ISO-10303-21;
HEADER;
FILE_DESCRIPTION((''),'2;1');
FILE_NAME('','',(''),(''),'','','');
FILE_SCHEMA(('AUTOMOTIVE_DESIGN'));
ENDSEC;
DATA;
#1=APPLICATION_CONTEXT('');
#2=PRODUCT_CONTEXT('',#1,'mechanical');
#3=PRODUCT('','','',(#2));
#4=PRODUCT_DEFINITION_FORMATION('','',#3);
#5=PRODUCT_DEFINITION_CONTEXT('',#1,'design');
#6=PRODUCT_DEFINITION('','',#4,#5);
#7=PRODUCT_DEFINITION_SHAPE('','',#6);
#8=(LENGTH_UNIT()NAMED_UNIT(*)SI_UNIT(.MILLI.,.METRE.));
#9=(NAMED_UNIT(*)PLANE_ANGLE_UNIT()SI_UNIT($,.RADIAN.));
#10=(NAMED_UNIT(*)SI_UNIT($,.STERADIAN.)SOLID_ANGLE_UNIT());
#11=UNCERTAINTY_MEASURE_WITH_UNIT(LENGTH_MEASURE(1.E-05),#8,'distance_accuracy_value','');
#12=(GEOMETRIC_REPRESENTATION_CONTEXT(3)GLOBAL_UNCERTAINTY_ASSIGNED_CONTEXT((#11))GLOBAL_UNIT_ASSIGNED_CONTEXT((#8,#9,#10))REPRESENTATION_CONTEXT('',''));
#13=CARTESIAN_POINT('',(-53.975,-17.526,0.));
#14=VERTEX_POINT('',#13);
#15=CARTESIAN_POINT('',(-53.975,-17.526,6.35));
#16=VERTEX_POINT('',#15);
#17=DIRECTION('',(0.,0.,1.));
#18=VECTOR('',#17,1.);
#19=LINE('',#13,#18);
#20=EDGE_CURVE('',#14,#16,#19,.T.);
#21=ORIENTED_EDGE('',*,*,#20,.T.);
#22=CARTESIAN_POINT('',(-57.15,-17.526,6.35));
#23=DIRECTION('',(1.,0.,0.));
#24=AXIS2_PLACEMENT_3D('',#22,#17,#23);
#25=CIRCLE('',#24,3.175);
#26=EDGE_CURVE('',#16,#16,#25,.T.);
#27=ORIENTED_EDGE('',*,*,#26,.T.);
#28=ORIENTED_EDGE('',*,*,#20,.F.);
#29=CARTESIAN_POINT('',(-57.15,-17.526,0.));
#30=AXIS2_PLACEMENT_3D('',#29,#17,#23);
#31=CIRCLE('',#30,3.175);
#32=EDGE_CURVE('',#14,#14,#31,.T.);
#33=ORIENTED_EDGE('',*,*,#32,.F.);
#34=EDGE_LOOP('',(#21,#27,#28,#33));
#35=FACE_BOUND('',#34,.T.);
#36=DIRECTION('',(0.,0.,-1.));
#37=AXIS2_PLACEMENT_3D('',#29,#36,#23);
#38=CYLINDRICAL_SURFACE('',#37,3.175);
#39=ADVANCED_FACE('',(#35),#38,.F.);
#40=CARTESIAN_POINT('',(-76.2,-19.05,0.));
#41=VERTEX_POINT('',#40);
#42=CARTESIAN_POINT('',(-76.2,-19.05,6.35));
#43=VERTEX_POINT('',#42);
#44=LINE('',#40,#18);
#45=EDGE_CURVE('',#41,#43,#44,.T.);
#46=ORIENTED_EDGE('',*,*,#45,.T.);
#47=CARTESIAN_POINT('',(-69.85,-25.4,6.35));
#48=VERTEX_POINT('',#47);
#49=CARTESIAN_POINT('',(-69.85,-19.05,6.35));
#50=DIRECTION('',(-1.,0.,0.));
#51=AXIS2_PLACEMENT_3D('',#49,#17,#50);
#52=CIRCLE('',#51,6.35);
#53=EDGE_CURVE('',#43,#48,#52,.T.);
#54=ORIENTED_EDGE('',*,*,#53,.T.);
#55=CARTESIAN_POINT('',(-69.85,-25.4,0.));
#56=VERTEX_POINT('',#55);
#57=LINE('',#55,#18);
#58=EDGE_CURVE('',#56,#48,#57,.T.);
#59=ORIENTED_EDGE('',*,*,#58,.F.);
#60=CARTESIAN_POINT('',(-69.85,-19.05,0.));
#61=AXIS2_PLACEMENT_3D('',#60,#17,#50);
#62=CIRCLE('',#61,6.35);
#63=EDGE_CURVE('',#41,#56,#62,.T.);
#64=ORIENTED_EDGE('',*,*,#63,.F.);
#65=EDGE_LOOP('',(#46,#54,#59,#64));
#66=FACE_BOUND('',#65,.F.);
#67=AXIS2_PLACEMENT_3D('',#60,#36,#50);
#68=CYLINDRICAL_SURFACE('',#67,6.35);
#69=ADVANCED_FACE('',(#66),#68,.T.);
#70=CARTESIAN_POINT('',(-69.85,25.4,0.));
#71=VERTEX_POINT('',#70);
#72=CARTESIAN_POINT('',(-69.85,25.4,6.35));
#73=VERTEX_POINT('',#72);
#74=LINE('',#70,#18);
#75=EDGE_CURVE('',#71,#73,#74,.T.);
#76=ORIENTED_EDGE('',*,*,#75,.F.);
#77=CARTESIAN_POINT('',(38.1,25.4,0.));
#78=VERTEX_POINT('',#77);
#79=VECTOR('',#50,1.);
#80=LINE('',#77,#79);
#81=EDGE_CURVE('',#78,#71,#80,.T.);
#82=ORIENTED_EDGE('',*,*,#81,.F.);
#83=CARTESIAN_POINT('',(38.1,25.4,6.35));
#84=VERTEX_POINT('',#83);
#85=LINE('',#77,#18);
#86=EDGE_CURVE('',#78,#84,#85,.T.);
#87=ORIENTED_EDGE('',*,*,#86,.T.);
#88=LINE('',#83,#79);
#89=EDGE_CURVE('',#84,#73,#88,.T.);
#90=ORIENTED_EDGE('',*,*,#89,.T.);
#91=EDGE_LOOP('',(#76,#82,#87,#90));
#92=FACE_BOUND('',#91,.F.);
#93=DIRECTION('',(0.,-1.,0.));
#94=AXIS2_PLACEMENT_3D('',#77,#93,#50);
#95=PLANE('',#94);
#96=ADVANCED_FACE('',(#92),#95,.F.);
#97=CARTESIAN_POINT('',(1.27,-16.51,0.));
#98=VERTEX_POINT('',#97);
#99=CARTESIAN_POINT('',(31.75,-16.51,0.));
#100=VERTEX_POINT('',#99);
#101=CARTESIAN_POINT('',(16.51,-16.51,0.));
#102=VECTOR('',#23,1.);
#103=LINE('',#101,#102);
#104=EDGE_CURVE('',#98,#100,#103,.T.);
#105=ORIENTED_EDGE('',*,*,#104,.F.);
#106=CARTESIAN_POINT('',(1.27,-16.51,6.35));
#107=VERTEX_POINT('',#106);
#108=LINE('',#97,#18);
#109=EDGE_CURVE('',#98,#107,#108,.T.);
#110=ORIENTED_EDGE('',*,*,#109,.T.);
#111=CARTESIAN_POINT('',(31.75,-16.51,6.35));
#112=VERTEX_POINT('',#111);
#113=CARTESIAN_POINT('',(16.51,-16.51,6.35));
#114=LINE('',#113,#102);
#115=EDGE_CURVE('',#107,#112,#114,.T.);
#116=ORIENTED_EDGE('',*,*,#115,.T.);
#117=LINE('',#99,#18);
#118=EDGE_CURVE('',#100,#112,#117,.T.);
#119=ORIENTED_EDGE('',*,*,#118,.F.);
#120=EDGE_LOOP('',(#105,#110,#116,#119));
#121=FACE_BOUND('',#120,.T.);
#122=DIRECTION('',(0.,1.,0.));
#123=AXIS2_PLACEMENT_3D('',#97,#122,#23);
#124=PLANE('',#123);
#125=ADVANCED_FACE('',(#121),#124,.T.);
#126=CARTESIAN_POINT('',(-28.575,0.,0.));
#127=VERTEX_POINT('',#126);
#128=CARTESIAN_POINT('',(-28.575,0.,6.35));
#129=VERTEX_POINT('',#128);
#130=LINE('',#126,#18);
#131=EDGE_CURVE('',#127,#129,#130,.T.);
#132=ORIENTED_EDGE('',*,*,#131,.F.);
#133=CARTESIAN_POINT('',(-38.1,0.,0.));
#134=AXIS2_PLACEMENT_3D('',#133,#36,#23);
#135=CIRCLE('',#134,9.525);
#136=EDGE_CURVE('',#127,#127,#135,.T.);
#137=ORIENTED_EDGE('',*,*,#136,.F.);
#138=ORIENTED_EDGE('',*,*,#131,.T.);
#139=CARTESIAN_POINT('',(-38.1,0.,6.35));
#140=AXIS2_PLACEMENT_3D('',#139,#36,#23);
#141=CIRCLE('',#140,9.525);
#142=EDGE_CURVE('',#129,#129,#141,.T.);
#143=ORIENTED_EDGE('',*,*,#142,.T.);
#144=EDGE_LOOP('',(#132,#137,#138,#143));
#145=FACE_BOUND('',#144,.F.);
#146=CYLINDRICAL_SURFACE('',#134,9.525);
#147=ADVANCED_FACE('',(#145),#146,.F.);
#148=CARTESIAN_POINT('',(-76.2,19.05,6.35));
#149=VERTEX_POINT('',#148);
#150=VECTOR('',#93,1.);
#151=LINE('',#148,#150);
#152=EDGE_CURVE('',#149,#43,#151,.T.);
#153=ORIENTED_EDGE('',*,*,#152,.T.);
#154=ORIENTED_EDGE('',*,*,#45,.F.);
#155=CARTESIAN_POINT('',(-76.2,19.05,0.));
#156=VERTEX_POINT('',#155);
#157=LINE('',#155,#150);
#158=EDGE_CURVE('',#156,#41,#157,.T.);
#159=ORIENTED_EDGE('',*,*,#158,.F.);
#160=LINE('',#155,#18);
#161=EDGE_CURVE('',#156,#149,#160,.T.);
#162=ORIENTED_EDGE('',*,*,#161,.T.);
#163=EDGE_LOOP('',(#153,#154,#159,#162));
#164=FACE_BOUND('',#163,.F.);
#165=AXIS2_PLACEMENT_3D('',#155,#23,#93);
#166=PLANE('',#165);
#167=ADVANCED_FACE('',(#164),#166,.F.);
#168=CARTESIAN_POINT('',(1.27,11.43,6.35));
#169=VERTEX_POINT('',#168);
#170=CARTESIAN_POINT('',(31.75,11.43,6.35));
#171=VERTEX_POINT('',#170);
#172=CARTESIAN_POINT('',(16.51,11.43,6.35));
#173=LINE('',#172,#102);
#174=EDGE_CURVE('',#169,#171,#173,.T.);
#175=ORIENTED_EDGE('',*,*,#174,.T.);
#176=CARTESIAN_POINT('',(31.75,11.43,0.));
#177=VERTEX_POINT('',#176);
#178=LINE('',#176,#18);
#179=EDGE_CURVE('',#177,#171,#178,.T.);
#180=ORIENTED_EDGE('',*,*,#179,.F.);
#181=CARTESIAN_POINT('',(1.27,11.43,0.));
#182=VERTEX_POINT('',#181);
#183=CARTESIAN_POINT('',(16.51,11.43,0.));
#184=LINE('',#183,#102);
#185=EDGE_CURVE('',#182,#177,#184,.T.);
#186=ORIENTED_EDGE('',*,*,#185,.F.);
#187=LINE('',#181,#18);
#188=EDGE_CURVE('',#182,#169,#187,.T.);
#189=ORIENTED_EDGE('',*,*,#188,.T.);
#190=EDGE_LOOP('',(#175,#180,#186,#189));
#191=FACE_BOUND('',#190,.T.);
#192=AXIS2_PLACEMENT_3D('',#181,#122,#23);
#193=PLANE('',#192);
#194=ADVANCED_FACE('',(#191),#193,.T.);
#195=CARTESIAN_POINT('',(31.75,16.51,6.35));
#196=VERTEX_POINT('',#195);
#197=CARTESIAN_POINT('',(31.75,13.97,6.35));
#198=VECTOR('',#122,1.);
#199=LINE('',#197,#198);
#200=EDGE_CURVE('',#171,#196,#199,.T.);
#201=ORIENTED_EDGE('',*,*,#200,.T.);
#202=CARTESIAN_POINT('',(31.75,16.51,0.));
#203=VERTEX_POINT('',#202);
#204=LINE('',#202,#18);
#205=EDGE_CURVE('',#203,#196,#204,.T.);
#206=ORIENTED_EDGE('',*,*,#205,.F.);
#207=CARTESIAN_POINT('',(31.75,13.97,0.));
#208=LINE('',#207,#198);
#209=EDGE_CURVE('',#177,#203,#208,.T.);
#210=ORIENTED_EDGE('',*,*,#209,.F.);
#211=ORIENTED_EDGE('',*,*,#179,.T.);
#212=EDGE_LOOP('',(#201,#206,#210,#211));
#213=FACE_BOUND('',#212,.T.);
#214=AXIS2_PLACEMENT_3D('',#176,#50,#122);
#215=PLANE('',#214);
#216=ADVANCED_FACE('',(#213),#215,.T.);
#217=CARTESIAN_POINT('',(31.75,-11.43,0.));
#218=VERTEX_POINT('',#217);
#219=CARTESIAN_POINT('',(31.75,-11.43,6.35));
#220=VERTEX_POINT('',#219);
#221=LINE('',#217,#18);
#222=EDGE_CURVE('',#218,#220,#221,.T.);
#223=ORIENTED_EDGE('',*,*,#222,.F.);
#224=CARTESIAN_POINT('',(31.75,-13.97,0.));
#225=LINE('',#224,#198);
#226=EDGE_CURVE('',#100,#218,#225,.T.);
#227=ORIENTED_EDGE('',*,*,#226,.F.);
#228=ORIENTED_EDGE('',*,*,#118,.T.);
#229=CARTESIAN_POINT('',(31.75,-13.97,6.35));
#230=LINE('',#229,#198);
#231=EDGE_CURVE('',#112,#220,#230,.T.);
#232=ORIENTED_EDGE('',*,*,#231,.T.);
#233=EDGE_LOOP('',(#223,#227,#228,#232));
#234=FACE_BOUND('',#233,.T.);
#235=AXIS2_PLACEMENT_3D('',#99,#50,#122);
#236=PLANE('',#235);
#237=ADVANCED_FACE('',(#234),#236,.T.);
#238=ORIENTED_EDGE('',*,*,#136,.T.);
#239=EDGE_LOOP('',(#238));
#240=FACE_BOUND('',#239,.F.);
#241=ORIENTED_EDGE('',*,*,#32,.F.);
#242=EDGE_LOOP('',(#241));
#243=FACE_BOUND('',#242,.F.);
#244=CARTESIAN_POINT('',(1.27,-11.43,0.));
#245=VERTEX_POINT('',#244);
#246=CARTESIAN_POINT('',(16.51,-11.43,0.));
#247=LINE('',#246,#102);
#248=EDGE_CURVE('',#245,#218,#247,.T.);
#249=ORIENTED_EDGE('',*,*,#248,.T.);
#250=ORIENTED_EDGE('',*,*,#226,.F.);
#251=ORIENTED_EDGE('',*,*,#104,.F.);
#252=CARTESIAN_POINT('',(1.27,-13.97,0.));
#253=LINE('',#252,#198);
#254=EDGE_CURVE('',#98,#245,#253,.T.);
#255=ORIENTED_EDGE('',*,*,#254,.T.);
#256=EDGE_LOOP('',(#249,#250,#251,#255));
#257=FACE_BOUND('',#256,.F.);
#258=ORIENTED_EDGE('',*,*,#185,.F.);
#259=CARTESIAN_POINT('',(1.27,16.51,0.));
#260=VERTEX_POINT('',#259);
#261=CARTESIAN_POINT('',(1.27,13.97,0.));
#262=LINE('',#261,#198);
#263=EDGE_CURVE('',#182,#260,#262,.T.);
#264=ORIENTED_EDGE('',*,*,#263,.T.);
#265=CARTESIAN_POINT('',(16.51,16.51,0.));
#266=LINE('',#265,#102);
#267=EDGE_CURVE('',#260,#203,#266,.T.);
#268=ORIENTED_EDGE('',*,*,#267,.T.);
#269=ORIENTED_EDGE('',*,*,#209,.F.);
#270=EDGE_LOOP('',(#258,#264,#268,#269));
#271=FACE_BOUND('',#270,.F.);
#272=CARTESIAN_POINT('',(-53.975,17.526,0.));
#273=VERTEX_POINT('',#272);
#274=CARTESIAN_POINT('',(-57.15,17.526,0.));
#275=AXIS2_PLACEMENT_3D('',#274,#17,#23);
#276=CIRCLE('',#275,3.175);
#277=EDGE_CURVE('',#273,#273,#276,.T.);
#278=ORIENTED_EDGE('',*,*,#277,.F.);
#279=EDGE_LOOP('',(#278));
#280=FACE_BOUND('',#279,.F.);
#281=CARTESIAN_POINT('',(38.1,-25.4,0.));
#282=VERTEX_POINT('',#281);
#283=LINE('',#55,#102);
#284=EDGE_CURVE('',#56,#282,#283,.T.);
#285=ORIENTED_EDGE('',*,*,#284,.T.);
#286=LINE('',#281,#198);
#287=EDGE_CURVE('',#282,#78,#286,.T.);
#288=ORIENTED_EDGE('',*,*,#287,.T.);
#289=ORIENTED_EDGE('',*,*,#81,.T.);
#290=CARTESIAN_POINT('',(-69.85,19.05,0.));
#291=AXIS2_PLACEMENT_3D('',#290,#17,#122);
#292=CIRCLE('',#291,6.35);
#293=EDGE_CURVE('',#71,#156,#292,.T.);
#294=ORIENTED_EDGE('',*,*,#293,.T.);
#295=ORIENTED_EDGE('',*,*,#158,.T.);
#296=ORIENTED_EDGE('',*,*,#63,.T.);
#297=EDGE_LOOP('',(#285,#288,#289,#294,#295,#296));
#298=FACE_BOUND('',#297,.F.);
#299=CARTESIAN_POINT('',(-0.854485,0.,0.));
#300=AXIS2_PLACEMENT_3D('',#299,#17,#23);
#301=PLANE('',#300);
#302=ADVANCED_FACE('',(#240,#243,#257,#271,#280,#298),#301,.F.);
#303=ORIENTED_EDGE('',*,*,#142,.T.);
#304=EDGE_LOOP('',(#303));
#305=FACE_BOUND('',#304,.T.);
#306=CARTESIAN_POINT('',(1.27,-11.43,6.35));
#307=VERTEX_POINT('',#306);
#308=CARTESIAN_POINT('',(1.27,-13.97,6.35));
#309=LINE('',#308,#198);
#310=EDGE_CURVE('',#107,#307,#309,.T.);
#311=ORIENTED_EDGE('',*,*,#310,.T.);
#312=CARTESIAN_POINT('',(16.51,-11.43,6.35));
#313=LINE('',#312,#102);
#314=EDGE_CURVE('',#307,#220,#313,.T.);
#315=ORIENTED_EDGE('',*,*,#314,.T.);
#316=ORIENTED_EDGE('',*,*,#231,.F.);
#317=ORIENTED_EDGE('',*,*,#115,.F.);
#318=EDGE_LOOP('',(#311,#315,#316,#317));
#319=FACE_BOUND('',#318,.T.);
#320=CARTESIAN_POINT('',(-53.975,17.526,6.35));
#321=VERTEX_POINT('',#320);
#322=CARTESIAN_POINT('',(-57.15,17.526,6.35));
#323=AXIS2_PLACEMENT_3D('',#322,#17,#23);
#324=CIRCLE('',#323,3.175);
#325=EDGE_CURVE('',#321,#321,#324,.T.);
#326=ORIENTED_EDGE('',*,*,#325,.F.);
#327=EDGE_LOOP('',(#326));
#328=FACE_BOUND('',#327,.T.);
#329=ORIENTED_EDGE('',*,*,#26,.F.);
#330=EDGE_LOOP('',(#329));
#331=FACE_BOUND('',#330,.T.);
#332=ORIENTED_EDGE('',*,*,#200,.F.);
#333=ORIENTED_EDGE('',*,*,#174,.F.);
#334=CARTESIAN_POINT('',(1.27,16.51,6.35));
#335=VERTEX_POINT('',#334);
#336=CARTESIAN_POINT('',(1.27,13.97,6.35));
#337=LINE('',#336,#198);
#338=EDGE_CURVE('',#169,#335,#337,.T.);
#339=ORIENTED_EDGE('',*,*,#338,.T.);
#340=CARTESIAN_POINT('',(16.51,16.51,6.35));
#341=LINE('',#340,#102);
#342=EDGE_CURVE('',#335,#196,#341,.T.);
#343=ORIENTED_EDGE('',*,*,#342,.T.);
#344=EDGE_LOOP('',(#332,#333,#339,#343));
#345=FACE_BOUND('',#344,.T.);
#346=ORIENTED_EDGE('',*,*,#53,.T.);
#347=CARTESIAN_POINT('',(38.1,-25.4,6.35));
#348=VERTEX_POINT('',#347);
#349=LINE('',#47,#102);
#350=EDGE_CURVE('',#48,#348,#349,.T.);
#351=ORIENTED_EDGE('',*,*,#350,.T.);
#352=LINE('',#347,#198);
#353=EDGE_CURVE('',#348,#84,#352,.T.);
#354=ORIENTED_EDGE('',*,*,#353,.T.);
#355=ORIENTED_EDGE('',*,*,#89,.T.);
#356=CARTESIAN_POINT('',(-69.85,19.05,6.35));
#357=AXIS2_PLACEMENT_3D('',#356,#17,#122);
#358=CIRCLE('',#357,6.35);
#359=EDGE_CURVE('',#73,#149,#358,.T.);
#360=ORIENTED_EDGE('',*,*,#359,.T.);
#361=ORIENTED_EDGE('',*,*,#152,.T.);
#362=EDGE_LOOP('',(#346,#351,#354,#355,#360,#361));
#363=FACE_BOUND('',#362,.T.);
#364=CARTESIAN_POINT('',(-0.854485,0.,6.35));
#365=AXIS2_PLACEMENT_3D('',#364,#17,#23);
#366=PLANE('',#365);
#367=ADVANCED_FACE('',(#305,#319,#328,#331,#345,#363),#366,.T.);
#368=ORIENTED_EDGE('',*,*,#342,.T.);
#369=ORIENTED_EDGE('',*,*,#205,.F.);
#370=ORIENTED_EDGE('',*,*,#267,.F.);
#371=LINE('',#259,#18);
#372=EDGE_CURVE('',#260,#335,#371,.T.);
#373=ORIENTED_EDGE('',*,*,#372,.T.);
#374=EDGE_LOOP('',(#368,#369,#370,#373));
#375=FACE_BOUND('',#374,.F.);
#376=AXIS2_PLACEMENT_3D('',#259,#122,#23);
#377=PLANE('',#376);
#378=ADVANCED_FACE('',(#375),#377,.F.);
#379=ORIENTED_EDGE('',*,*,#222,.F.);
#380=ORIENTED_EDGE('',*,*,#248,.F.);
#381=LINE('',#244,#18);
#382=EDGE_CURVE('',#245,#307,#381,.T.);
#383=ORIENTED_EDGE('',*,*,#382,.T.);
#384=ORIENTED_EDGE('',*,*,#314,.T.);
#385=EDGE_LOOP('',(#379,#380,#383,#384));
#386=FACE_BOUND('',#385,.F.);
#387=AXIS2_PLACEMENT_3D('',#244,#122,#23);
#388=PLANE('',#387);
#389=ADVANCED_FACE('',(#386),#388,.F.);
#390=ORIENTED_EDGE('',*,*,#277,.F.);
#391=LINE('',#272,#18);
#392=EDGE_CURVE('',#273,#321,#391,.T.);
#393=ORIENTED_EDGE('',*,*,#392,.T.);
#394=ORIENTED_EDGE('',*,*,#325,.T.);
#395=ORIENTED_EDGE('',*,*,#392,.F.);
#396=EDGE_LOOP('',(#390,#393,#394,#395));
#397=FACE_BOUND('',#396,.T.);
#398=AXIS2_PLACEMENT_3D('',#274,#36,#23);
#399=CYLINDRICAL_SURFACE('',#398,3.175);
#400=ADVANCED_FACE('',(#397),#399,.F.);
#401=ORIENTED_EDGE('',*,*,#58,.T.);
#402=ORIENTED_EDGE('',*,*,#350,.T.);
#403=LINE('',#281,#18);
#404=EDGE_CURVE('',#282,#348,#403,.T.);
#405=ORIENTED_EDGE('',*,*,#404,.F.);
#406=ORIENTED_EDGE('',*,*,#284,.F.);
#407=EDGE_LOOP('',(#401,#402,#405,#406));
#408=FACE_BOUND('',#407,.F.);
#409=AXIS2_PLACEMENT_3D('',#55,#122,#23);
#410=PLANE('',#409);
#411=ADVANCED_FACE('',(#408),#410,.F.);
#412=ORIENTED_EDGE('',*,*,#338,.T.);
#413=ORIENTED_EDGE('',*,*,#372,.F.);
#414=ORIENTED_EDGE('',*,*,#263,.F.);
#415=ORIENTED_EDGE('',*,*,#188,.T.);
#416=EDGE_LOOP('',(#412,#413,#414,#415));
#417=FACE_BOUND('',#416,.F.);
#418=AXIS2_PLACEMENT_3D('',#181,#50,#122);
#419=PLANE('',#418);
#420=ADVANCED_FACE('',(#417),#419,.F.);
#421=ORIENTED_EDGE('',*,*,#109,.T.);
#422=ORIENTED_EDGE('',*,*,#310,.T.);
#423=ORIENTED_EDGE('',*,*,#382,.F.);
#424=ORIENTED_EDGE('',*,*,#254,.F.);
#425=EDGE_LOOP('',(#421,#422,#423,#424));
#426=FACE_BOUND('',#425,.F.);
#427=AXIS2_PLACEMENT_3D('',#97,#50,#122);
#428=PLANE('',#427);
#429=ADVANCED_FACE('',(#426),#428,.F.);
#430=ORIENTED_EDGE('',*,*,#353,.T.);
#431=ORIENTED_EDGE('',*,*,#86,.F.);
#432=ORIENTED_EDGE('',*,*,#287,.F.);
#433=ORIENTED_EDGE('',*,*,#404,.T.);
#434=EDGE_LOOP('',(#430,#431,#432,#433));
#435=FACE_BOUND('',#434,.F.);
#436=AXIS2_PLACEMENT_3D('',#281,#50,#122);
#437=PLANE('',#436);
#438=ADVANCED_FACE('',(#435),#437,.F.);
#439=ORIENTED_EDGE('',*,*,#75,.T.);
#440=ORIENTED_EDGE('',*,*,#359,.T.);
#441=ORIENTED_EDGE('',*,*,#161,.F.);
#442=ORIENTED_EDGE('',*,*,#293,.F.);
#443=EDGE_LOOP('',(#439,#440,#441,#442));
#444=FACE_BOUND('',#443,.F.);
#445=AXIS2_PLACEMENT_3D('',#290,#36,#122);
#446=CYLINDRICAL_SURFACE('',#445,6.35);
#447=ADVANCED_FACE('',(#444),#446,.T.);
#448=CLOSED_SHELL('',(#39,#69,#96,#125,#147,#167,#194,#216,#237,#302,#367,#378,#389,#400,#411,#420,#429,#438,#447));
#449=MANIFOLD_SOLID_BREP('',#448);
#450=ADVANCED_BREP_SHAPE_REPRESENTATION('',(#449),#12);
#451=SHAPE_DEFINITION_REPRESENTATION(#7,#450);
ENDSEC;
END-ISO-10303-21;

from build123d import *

# Parameters (mm, degrees)
F0_W     = 30.48
F0_H     = 5.08
F0_R     = 3.175
F1_DEPTH = 6.35
F2_DEPTH = 6.35


with BuildPart() as f1:
    # F0 (on Top) → F1 (new body)
    with BuildSketch(Plane.XY):
        with BuildLine():
            Line((38.1, -25.4), (38.1, 25.4))
            Line((38.1, 25.4), (-38.1, 25.4))
            Line((-38.1, 25.4), (-38.1, 9.525))
            ThreePointArc((-38.1, 9.525), (-31.3648079092, 6.7351920908), (-28.575, 0))
            ThreePointArc((-28.575, 0), (-31.3648079092, -6.7351920908), (-38.1, -9.525))
            Line((-38.1, -9.525), (-38.1, -25.4))
            Line((-38.1, -25.4), (38.1, -25.4))
        make_face()
        with Locations((16.51, -13.97)):
            Rectangle(F0_W, F0_H, mode=Mode.SUBTRACT)
        with Locations((16.51, 13.97)):
            Rectangle(F0_W, F0_H, mode=Mode.SUBTRACT)
        with BuildLine():
            Line((-38.1, 9.525), (-38.1, 25.4))
            Line((-38.1, 25.4), (-69.85, 25.4))
            ThreePointArc((-69.85, 25.4), (-74.3401280605, 23.5401280605), (-76.2, 19.05))
            Line((-76.2, 19.05), (-76.2, -19.05))
            ThreePointArc((-76.2, -19.05), (-74.3401280605, -23.5401280605), (-69.85, -25.4))
            Line((-69.85, -25.4), (-38.1, -25.4))
            Line((-38.1, -25.4), (-38.1, -9.525))
            ThreePointArc((-38.1, -9.525), (-47.625, 0), (-38.1, 9.525))
        make_face()
        with Locations((-57.15, -17.526)):
            Circle(F0_R, mode=Mode.SUBTRACT)
        with Locations((-57.15, 17.526)):
            Circle(F0_R, mode=Mode.SUBTRACT)
    extrude(amount=F1_DEPTH)

    # F2 (add): a face of the model
    f2_faces = [f1.faces().sort_by_distance(p)[0] for p in [
        (-19.4796748363, 0, 6.35),
    ]]
    extrude(f2_faces, amount=-F2_DEPTH)


solid = f1.part
